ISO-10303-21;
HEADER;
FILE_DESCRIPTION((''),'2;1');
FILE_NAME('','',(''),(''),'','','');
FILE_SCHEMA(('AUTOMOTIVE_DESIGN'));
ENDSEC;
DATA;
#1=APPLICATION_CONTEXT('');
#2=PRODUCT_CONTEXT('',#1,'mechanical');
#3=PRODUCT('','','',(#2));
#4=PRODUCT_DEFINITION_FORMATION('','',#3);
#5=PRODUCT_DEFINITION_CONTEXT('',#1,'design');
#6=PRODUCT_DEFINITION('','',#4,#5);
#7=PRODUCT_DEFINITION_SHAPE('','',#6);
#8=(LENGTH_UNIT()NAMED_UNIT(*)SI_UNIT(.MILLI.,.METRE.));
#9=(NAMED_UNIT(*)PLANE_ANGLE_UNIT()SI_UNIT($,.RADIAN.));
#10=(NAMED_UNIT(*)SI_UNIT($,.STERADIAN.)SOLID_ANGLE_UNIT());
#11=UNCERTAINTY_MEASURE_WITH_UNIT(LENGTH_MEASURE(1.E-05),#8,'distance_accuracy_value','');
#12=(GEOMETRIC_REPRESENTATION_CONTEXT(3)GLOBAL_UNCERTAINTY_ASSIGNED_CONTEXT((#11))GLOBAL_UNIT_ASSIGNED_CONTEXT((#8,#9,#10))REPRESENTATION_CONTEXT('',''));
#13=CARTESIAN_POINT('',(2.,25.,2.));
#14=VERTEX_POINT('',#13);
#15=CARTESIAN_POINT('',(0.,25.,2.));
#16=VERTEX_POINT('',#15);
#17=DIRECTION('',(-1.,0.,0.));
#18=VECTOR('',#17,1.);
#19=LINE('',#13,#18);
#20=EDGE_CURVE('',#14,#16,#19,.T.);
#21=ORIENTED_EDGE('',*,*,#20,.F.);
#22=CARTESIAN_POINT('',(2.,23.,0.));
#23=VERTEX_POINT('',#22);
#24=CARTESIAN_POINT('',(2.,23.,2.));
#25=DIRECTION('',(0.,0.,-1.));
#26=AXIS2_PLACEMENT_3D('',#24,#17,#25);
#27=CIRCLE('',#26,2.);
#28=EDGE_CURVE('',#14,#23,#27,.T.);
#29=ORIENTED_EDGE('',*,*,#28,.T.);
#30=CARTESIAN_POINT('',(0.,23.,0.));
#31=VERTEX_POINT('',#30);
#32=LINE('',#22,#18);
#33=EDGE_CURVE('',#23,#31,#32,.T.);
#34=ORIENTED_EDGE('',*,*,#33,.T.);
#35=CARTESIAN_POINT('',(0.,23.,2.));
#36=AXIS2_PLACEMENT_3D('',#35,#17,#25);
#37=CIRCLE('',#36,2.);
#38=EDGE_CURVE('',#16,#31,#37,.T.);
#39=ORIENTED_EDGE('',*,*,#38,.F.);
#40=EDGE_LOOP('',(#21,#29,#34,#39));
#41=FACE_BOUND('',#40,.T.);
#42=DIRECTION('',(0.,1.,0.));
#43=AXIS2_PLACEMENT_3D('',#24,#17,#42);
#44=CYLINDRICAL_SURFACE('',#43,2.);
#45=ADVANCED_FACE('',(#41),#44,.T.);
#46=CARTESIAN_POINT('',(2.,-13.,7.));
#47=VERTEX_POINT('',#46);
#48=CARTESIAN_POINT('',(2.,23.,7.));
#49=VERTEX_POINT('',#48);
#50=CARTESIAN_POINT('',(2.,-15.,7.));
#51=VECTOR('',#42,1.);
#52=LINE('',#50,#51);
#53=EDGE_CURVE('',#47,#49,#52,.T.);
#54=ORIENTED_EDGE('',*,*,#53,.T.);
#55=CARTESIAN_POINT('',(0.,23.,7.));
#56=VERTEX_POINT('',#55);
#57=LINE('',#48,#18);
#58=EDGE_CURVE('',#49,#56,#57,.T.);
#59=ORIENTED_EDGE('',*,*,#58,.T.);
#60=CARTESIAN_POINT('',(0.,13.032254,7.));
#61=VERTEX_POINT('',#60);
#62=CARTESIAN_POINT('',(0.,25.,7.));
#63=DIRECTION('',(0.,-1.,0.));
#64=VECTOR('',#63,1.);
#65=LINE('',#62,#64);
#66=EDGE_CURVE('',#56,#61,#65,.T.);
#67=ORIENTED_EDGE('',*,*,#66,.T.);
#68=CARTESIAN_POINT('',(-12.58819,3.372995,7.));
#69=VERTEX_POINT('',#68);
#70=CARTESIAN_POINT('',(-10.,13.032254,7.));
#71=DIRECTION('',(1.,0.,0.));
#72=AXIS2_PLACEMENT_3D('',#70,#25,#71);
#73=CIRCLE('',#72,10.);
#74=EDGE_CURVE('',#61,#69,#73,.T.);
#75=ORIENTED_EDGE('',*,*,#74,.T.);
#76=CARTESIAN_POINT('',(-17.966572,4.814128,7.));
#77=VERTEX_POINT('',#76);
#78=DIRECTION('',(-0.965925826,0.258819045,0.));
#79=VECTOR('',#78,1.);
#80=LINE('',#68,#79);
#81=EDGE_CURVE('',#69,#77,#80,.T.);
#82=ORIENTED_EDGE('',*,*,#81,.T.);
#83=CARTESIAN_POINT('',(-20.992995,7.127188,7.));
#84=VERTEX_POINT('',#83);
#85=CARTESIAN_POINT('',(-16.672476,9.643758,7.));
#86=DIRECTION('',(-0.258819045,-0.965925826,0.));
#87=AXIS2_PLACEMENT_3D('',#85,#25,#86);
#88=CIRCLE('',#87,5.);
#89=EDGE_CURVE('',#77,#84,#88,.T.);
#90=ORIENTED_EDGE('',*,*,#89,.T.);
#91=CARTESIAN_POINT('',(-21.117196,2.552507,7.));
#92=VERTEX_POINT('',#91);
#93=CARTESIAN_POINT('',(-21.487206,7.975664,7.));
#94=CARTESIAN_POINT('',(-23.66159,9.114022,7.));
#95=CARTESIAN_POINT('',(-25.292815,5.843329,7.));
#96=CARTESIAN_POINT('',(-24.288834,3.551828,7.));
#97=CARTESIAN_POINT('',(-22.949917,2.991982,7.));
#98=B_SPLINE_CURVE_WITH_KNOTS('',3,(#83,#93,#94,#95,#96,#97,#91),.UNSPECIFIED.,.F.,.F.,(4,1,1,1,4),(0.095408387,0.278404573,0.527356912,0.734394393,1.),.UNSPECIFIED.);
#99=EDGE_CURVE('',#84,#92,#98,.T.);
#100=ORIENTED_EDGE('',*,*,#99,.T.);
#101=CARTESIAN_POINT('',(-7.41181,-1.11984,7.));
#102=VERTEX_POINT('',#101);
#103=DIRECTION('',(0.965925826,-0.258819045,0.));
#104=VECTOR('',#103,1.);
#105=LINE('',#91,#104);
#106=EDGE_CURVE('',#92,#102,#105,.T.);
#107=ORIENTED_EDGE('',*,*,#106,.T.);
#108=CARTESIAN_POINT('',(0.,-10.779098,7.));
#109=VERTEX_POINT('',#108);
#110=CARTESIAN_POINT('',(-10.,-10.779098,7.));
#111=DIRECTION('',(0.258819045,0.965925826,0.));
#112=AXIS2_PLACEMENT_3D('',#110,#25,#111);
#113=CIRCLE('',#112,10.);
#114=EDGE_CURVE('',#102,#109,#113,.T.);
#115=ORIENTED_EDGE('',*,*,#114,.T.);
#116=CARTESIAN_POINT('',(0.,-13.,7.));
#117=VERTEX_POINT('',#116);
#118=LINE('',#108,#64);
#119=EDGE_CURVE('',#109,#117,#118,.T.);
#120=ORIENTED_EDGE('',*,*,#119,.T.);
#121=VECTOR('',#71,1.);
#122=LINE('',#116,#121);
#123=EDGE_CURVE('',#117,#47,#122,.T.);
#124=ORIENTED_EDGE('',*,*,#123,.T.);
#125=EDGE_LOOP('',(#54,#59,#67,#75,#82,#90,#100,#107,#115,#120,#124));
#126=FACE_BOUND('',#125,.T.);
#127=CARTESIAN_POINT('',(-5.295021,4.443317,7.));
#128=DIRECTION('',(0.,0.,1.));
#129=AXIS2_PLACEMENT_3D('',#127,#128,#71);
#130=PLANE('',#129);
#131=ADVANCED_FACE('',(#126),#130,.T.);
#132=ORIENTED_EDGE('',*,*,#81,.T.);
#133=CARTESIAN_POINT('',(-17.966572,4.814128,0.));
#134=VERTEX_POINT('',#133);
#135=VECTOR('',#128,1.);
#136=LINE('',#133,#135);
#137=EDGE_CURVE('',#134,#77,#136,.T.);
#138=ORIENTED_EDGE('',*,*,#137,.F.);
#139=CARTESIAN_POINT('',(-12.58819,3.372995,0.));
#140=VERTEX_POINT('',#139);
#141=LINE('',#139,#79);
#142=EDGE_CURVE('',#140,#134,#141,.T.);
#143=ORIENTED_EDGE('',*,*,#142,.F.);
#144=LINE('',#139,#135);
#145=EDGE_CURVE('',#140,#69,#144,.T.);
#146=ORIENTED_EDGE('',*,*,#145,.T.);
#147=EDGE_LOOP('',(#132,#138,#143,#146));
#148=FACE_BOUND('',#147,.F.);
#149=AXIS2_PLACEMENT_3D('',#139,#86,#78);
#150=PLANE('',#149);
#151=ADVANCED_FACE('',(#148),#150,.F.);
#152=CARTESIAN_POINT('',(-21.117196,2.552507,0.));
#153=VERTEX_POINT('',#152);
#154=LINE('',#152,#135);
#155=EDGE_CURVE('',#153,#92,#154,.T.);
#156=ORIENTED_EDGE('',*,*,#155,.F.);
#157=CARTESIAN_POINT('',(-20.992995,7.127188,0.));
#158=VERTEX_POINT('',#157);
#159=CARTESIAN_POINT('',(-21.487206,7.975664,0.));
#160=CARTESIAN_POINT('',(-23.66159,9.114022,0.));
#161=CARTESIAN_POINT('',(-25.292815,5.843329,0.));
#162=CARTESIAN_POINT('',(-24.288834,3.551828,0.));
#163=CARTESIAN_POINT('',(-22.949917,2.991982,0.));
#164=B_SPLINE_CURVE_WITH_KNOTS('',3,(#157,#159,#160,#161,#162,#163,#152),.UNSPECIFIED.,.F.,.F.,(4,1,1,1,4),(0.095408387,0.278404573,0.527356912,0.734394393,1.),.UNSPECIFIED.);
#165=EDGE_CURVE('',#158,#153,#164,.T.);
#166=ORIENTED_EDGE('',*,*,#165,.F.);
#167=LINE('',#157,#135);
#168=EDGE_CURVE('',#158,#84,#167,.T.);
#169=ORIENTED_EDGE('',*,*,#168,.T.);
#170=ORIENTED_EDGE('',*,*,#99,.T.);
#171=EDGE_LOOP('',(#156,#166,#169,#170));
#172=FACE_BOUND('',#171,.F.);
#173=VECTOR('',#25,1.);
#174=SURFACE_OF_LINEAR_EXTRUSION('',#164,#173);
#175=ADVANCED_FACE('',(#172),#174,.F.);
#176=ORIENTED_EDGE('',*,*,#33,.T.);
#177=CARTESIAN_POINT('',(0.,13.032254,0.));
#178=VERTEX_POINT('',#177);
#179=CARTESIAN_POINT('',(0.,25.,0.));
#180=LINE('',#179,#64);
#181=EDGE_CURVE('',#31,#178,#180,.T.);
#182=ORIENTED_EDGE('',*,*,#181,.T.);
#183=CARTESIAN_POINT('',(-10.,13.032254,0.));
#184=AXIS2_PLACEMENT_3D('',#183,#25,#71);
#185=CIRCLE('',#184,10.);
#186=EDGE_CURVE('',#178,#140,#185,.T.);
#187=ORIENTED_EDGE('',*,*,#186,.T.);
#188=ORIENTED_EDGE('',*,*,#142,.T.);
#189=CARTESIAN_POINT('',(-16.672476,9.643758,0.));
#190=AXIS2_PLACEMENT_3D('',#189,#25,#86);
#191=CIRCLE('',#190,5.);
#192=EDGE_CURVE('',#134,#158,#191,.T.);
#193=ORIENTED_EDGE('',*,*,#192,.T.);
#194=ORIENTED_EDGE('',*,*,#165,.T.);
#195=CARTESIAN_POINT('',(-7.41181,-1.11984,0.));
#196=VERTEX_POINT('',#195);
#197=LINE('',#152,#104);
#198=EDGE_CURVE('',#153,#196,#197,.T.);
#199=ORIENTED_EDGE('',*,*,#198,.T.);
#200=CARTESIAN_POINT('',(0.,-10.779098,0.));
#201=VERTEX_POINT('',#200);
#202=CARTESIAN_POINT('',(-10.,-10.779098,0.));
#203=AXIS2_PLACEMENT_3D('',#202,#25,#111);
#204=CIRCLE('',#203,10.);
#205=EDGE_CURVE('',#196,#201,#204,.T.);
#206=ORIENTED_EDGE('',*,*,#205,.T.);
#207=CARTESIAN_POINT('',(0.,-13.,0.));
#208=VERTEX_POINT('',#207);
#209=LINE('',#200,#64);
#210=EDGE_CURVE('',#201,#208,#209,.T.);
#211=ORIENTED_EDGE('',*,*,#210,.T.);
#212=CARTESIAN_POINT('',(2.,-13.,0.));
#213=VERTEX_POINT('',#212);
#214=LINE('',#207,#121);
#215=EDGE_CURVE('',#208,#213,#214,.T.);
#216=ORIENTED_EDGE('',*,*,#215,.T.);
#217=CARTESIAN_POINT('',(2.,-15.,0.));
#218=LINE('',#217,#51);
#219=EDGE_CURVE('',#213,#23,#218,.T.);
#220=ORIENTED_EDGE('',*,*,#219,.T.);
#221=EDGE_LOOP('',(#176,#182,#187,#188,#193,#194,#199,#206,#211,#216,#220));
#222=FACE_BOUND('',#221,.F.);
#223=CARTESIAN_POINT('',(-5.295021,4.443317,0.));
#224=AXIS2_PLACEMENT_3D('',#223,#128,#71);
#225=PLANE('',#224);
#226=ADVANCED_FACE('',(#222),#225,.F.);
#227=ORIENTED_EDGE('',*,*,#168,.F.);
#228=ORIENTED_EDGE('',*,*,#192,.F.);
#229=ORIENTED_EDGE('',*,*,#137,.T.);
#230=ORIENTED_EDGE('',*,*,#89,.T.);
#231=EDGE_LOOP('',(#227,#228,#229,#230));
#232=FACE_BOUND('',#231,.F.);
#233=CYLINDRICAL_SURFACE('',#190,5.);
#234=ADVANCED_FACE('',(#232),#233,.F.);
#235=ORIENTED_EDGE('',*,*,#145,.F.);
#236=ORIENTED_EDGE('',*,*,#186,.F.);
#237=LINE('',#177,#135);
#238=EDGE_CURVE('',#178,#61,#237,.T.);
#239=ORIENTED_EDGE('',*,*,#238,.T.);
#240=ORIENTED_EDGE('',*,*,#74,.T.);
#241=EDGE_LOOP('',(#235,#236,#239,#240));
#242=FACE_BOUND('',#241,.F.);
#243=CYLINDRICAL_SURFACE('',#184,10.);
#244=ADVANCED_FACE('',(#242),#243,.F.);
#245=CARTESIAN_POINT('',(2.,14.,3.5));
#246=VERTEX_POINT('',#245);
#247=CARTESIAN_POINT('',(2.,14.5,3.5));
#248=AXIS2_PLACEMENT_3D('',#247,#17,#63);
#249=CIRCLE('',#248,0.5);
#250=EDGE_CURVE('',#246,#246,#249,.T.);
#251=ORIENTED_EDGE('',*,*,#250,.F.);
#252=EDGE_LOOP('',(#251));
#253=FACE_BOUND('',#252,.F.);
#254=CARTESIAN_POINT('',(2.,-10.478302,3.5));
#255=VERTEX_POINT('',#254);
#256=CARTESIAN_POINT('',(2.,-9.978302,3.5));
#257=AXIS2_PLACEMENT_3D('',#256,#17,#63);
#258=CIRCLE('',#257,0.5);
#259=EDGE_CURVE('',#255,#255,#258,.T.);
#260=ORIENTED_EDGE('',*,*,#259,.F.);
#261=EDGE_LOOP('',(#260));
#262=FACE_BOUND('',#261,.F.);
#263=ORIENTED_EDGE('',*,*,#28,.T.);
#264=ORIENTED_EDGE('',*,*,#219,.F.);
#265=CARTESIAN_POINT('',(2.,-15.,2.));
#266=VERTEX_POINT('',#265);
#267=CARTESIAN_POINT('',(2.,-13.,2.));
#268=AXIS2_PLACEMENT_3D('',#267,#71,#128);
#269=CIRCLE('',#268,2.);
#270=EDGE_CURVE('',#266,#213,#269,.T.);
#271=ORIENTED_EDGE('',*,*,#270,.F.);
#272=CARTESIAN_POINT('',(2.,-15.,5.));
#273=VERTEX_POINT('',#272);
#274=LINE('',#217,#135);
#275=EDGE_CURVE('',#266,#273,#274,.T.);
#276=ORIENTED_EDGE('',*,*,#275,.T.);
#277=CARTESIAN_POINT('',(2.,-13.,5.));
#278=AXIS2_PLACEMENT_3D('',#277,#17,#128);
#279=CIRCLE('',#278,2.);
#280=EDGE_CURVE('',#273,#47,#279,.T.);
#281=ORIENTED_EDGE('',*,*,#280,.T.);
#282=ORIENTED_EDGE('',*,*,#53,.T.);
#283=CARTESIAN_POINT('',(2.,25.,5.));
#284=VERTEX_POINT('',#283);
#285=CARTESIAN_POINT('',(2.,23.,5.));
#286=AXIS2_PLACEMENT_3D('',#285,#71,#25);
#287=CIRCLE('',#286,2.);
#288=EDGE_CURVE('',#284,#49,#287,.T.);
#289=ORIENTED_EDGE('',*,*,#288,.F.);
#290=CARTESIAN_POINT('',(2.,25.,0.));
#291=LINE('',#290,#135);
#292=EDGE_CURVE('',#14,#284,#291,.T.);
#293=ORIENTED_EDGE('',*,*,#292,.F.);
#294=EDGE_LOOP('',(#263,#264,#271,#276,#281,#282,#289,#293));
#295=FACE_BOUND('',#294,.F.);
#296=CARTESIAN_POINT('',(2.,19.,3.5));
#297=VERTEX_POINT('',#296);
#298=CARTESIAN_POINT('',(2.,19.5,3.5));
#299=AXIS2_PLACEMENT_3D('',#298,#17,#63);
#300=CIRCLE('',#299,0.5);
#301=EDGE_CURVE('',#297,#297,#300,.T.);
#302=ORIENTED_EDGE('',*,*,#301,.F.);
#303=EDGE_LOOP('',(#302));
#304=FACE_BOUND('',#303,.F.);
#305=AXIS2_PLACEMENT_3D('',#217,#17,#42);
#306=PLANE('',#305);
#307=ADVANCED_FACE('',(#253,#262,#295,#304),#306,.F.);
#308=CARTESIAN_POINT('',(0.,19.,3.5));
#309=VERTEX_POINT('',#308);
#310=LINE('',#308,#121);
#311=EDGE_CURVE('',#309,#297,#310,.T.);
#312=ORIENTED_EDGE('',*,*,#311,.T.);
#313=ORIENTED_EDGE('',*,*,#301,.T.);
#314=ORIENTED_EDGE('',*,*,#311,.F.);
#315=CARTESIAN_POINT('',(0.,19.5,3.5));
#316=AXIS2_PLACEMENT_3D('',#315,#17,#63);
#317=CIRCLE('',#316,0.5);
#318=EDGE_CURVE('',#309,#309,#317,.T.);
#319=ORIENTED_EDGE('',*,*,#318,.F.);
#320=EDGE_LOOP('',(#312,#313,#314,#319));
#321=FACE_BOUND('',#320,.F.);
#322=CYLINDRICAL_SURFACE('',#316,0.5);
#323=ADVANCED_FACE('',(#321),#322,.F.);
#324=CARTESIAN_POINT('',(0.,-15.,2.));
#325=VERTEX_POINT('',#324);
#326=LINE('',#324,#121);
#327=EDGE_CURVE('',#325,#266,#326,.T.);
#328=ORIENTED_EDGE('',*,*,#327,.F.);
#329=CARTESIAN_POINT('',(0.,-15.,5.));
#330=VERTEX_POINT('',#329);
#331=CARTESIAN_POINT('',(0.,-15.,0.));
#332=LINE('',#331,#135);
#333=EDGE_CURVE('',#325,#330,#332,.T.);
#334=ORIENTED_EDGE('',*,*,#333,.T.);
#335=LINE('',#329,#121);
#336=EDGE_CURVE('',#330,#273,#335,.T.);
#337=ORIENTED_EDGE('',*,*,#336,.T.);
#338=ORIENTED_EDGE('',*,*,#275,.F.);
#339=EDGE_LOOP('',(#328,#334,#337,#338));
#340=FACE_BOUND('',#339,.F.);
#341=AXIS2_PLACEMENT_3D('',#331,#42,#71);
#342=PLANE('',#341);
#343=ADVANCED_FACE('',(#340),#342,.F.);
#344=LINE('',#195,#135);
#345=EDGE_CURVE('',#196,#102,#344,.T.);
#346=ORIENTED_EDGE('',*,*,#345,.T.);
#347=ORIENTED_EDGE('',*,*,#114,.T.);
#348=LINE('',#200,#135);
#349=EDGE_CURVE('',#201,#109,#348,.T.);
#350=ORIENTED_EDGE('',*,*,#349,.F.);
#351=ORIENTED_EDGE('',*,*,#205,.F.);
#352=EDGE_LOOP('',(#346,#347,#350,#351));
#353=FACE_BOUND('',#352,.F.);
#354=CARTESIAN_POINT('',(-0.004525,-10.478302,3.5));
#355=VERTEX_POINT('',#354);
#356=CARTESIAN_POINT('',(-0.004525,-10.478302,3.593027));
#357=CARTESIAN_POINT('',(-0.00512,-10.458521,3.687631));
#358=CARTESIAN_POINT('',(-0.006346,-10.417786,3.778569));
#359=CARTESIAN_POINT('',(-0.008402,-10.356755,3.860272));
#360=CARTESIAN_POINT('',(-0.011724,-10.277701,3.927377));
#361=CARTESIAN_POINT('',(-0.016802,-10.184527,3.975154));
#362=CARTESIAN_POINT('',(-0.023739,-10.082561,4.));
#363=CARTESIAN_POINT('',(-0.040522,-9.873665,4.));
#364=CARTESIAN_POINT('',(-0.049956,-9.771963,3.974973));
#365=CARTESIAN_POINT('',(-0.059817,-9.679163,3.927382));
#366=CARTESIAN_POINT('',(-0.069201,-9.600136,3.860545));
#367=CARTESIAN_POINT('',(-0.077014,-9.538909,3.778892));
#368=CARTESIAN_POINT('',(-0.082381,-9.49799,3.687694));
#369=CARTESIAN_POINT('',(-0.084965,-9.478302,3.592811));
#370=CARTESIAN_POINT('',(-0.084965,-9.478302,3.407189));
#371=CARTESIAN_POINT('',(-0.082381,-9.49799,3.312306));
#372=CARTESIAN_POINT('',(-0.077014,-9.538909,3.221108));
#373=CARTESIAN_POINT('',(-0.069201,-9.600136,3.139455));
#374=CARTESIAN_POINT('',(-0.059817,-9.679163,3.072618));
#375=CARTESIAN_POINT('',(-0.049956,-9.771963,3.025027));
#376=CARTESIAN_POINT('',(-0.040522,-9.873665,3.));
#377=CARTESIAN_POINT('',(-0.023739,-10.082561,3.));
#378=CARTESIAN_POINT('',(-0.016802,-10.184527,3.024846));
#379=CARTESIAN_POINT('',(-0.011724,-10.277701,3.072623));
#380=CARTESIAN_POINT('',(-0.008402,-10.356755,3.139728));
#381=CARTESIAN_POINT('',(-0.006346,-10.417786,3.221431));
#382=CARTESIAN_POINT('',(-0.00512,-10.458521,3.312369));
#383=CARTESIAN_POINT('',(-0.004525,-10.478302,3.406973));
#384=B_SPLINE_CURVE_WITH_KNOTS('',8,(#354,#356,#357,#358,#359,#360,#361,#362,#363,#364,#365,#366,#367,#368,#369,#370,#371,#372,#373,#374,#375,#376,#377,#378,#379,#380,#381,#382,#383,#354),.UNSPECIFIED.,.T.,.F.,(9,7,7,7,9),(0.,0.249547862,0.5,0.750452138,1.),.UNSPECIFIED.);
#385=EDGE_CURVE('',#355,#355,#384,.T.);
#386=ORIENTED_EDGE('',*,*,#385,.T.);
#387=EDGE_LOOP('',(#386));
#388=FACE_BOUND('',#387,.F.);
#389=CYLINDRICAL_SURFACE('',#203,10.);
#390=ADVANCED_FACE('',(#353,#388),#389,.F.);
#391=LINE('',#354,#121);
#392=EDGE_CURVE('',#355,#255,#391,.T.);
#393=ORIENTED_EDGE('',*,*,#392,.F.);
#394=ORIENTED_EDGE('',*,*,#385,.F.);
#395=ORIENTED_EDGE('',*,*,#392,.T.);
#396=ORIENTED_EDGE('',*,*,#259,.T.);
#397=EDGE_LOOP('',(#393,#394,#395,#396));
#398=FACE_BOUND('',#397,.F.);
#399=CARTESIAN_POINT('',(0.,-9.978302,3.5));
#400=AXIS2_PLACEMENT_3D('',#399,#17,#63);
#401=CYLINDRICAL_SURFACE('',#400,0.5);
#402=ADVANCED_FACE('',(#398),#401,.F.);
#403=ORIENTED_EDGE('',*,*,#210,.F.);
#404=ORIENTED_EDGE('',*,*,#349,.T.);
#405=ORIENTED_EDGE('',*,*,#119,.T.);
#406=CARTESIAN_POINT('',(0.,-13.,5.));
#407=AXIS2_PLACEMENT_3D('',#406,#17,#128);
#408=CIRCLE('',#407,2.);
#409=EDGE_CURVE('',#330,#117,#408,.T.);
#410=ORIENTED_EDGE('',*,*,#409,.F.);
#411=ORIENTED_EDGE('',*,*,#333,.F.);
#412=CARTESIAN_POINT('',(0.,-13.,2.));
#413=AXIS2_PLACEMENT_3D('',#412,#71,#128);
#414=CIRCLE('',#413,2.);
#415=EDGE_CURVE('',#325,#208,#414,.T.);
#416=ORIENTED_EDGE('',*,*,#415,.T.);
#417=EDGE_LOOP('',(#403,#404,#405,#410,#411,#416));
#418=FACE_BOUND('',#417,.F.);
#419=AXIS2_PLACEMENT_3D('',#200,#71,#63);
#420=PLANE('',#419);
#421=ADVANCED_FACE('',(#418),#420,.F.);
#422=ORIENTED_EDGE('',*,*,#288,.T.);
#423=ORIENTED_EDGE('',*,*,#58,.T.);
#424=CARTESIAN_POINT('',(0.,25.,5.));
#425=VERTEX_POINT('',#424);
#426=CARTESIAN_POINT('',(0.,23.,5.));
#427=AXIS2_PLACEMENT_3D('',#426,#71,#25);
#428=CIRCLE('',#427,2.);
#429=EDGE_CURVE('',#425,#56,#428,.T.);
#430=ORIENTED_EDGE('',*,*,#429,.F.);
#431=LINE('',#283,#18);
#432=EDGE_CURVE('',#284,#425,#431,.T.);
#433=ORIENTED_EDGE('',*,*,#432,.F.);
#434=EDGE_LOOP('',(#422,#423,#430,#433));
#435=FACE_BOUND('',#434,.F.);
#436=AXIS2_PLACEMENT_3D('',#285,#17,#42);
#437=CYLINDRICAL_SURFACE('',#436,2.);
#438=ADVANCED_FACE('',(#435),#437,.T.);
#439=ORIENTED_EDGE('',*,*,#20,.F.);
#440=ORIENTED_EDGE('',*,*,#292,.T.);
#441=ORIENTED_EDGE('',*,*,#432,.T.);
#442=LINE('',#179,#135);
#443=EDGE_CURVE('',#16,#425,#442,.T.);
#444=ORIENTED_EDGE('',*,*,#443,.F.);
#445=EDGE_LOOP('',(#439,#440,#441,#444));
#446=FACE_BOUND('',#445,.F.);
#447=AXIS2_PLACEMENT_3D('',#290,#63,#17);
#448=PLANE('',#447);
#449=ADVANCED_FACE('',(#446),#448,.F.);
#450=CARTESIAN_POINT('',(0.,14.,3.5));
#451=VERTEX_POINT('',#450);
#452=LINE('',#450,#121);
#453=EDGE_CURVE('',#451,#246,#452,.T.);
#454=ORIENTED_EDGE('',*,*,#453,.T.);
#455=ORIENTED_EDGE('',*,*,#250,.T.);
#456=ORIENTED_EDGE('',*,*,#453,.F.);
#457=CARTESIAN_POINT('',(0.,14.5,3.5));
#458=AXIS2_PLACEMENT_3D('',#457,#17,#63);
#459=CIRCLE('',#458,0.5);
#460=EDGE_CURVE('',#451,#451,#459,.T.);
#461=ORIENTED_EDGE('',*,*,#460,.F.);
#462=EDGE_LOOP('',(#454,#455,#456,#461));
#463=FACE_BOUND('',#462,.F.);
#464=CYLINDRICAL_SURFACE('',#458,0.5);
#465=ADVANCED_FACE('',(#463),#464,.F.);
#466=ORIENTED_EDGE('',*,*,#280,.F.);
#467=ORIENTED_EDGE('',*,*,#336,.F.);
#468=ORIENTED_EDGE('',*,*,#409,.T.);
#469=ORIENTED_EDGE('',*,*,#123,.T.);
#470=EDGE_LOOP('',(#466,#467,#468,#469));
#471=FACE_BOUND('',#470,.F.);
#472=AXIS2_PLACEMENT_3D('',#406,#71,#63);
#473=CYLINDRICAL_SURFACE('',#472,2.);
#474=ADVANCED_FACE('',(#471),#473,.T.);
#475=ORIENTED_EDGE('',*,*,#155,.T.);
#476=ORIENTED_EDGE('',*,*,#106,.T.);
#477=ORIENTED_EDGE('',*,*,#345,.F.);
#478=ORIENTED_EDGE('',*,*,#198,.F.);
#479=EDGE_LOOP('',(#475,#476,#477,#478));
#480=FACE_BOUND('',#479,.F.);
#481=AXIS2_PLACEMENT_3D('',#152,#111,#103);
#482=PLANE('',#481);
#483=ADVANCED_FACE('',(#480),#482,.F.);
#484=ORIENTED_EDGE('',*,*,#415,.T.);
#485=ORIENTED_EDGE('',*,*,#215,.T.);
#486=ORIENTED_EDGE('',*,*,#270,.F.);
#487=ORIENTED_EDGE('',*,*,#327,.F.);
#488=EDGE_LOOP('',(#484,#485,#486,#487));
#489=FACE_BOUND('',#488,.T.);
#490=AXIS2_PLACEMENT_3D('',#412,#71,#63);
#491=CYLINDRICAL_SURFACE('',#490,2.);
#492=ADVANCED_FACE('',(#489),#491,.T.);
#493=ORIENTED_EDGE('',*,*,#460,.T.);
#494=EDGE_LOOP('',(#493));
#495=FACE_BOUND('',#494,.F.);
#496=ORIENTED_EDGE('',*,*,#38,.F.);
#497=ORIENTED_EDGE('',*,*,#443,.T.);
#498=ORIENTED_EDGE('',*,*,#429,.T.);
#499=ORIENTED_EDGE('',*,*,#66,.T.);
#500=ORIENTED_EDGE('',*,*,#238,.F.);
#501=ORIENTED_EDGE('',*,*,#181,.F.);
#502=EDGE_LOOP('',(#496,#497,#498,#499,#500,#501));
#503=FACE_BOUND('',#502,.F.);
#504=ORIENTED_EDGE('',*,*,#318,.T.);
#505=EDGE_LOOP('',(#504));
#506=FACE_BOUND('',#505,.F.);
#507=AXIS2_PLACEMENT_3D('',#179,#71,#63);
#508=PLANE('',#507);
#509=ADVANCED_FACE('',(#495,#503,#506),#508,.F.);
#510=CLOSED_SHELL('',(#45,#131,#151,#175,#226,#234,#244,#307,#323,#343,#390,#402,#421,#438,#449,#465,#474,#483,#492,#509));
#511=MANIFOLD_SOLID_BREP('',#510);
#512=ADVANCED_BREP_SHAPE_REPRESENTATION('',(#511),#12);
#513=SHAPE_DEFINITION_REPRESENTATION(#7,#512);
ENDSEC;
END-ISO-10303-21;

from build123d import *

# Parameters (mm, degrees)
F1_DEPTH      = 7
F2_R          = 2
F3_R          = 0.5
F4_DEPTH      = 2.0010001
F4_DEPTH_BACK = 24.8789222903


with BuildPart() as f1:
    # F0 (on Top) → F1 (new body)
    with BuildSketch(Plane.XY):
        with BuildLine():
            Line((2, 25), (0, 25))
            Line((0, 25), (0, 13.0322537284))
            ThreePointArc((0, 13.0322537284), (-3.9123857099, 5.0987203255), (-12.588190451, 3.3729954655))
            Line((-12.588190451, 3.3729954655), (-17.9665717036, 4.8141283787))
            ThreePointArc((-17.9665717036, 4.8141283787), (-19.7086801846, 5.6711680458), (-20.9929948561, 7.1271882293))
            add(Edge.make_bspline(
                [(-20.9929948561, 7.1271882293), (-21.4872059239, 7.9756639765), (-23.6615903783, 9.114022363), (-25.2928151043, 5.8433290431), (-24.2888337192, 3.5518281333), (-22.9499167285, 2.9919819486), (-21.1171958686, 2.5525070382)],
                knots=[0.095408387, 0.095408387, 0.095408387, 0.095408387, 0.2784045725, 0.5273569121, 0.7343943929, 1, 1, 1, 1], degree=3))
            Line((-21.1171958686, 2.5525070382), (-7.411809549, -1.1198401581))
            ThreePointArc((-7.411809549, -1.1198401581), (-2.0664665971, -4.6914841309), (0, -10.779098421))
            Line((0, -10.779098421), (0, -15))
            Line((0, -15), (2, -15))
            Line((2, -15), (2, 25))
        make_face()
    extrude(amount=F1_DEPTH)

    # F2
    f2_edges = [f1.edges().sort_by_distance(p)[0] for p in [
        (1, 25, 0),
        (1, 25, 7),
        (1, -15, 0),
        (1, -15, 7),
    ]]
    fillet(f2_edges, radius=F2_R)

    # F3 (on face) → F4 (cut, two sides)
    with BuildSketch(Plane(origin=(0, 0, 0), x_dir=(0, -1, 0), z_dir=(-1, 0, 0))) as f4_sk:
        with Locations((-19.5, 3.5)):
            Circle(F3_R)
        with Locations((-14.5, 3.5)):
            Circle(F3_R)
        with Locations((9.9783017114, 3.5)):
            Circle(F3_R)
    extrude(amount=-F4_DEPTH, mode=Mode.SUBTRACT)
    extrude(f4_sk.sketch, amount=F4_DEPTH_BACK, mode=Mode.SUBTRACT)


solid = f1.part
